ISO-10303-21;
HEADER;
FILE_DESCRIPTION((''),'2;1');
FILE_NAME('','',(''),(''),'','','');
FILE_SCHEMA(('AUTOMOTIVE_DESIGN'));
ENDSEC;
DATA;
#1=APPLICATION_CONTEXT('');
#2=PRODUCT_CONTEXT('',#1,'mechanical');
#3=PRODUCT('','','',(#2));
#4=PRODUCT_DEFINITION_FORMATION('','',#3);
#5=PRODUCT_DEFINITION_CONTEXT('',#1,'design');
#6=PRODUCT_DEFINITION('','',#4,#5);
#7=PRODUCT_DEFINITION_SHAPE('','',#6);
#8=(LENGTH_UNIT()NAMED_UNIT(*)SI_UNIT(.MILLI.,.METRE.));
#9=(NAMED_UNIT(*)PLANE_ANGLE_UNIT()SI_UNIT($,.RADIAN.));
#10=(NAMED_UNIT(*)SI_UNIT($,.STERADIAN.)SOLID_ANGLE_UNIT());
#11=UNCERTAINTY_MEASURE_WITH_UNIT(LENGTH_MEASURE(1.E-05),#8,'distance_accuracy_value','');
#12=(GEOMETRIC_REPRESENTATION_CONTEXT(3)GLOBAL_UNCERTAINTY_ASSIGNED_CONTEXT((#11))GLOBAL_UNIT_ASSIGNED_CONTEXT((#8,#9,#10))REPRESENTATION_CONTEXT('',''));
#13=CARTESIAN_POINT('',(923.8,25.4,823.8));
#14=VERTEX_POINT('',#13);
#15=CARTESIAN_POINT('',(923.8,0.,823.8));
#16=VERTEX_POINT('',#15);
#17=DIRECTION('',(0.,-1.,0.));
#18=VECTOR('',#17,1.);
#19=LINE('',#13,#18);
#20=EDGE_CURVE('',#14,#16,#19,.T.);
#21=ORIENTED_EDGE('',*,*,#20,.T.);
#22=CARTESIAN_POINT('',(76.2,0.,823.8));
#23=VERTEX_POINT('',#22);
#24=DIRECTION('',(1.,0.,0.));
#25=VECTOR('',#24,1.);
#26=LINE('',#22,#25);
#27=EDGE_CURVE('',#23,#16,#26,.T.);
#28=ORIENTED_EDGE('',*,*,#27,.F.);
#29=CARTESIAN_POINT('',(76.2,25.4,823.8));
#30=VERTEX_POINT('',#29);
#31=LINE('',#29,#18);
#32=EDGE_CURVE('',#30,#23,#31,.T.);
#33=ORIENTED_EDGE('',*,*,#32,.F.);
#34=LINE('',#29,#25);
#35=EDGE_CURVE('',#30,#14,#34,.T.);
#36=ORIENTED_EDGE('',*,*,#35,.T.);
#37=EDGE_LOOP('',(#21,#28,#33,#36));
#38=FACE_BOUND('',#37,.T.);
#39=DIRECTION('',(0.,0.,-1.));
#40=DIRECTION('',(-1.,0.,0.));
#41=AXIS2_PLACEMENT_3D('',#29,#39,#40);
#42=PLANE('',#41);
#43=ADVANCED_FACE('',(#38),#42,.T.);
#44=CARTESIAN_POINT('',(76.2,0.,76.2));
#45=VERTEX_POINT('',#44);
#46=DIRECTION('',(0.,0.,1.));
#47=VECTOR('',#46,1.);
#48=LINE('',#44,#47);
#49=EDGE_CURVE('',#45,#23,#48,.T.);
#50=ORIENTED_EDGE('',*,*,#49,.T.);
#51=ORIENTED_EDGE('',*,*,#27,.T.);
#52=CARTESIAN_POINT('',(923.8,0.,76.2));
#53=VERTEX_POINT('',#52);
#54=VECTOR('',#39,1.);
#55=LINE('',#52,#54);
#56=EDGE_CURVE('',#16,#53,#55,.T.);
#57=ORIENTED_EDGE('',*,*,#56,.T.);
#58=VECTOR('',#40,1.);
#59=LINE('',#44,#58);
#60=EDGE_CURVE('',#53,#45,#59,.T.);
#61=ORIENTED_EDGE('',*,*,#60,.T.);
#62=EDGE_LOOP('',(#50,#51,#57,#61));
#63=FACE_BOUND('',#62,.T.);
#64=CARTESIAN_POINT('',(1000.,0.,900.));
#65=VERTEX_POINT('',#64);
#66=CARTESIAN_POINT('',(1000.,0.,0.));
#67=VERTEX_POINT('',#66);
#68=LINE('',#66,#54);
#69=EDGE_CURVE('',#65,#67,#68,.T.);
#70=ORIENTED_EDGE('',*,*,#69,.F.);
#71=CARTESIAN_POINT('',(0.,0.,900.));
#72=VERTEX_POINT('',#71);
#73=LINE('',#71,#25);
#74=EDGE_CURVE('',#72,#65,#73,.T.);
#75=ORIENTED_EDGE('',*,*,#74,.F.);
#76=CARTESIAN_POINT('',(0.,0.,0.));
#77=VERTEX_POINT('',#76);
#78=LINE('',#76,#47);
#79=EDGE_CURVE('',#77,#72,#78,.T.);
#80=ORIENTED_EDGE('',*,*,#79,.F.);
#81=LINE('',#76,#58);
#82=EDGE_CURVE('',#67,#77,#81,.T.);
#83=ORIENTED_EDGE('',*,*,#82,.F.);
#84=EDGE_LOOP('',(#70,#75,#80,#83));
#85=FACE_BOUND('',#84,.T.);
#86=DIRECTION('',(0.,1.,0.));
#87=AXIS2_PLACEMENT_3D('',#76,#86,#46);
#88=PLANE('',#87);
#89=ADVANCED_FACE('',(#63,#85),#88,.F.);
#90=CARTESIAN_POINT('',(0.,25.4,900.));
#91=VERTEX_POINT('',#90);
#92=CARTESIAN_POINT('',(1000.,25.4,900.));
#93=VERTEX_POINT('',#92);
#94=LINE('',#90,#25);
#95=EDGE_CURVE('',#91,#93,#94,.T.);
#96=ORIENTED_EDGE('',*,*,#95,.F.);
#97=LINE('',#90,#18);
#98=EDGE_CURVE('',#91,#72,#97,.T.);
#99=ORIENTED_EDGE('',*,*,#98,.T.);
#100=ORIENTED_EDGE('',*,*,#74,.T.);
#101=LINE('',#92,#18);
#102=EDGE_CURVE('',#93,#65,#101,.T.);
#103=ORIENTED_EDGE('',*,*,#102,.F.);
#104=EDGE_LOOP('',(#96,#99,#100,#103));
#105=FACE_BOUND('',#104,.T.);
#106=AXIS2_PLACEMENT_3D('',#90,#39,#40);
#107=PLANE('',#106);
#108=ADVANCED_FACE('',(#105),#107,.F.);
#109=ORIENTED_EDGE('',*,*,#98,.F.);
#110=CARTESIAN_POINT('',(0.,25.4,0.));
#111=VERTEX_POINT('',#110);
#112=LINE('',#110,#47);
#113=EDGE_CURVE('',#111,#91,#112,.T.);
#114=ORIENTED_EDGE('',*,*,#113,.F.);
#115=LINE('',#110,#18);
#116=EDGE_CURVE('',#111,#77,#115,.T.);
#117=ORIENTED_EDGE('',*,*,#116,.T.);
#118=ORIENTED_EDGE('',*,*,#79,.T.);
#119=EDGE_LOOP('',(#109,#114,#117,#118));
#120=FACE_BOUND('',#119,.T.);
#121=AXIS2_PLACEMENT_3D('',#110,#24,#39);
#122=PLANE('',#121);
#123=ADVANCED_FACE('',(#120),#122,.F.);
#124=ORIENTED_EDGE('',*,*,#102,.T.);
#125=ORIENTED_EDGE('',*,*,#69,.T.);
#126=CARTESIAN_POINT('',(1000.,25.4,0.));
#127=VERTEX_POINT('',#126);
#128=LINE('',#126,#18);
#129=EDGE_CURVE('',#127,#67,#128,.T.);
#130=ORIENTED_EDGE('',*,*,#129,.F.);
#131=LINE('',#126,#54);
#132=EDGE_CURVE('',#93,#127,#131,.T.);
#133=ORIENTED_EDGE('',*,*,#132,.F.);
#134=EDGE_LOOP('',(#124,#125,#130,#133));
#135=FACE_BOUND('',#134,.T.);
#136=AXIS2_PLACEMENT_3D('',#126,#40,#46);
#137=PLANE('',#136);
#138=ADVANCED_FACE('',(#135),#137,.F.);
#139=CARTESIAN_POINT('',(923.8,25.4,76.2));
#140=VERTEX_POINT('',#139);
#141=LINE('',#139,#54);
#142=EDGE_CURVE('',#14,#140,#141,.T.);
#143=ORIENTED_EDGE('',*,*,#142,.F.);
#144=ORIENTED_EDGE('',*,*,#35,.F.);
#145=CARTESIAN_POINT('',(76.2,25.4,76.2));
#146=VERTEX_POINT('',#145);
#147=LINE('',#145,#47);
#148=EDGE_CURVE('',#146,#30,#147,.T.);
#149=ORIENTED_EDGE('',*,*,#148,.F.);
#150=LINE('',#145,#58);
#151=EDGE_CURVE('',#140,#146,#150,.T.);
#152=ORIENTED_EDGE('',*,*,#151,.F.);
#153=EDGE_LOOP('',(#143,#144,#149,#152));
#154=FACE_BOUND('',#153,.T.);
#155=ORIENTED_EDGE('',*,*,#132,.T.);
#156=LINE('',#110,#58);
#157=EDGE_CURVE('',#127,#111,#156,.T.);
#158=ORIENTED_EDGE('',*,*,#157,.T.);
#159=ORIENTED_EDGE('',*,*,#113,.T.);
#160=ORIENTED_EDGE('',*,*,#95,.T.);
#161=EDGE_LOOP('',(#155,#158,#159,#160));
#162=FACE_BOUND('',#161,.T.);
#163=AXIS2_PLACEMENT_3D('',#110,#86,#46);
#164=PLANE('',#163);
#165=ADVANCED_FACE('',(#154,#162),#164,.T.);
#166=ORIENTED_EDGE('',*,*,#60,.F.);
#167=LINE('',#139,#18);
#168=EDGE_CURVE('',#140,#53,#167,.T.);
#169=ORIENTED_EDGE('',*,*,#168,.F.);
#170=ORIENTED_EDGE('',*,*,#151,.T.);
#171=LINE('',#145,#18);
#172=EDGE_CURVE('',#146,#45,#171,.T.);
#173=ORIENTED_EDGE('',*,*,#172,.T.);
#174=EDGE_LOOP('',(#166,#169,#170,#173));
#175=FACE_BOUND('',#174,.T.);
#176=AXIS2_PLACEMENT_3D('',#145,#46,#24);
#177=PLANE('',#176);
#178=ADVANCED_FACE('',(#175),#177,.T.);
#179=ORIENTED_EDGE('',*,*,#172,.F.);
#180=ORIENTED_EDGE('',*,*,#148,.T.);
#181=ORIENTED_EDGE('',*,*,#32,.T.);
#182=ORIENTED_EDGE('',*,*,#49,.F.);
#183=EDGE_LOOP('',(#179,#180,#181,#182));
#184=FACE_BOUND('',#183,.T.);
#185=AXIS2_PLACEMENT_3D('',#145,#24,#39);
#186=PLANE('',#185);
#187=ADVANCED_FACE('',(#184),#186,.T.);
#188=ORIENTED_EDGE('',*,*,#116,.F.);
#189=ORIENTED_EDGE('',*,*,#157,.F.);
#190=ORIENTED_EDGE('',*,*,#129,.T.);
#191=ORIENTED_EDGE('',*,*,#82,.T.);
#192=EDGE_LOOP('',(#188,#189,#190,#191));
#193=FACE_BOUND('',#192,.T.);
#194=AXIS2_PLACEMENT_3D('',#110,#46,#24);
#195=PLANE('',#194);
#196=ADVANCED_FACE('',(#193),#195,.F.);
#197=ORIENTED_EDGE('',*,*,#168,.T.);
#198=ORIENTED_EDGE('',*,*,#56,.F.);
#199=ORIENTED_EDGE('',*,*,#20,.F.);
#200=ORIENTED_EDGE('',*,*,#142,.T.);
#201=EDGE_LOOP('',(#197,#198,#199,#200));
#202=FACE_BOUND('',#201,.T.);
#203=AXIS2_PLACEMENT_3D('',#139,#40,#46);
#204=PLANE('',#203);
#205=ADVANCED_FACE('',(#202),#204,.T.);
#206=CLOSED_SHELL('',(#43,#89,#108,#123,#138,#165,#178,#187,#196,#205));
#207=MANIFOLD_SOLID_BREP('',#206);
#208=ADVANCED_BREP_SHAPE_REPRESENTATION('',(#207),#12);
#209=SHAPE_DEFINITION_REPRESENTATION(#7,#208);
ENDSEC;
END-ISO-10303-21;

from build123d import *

# Parameters (mm, degrees)
CROQUIS1_W              = 1000
CROQUIS1_H              = 900
CROQUIS1_W_2            = 847.6
CROQUIS1_H_2            = 747.6
SALIENTE_EXTRUIR1_DEPTH = 25.4


with BuildPart() as part:
    # Croquis1 → Saliente-Extruir1 (new body)
    with BuildSketch(Plane(origin=(0, 0, 0), x_dir=(1, 0, 0), z_dir=(0, 1, 0))):
        with Locations((500, -450)):
            Rectangle(CROQUIS1_W, CROQUIS1_H)
        with Locations((500, -450)):
            Rectangle(CROQUIS1_W_2, CROQUIS1_H_2, mode=Mode.SUBTRACT)
    extrude(amount=SALIENTE_EXTRUIR1_DEPTH)


solid = part.part
